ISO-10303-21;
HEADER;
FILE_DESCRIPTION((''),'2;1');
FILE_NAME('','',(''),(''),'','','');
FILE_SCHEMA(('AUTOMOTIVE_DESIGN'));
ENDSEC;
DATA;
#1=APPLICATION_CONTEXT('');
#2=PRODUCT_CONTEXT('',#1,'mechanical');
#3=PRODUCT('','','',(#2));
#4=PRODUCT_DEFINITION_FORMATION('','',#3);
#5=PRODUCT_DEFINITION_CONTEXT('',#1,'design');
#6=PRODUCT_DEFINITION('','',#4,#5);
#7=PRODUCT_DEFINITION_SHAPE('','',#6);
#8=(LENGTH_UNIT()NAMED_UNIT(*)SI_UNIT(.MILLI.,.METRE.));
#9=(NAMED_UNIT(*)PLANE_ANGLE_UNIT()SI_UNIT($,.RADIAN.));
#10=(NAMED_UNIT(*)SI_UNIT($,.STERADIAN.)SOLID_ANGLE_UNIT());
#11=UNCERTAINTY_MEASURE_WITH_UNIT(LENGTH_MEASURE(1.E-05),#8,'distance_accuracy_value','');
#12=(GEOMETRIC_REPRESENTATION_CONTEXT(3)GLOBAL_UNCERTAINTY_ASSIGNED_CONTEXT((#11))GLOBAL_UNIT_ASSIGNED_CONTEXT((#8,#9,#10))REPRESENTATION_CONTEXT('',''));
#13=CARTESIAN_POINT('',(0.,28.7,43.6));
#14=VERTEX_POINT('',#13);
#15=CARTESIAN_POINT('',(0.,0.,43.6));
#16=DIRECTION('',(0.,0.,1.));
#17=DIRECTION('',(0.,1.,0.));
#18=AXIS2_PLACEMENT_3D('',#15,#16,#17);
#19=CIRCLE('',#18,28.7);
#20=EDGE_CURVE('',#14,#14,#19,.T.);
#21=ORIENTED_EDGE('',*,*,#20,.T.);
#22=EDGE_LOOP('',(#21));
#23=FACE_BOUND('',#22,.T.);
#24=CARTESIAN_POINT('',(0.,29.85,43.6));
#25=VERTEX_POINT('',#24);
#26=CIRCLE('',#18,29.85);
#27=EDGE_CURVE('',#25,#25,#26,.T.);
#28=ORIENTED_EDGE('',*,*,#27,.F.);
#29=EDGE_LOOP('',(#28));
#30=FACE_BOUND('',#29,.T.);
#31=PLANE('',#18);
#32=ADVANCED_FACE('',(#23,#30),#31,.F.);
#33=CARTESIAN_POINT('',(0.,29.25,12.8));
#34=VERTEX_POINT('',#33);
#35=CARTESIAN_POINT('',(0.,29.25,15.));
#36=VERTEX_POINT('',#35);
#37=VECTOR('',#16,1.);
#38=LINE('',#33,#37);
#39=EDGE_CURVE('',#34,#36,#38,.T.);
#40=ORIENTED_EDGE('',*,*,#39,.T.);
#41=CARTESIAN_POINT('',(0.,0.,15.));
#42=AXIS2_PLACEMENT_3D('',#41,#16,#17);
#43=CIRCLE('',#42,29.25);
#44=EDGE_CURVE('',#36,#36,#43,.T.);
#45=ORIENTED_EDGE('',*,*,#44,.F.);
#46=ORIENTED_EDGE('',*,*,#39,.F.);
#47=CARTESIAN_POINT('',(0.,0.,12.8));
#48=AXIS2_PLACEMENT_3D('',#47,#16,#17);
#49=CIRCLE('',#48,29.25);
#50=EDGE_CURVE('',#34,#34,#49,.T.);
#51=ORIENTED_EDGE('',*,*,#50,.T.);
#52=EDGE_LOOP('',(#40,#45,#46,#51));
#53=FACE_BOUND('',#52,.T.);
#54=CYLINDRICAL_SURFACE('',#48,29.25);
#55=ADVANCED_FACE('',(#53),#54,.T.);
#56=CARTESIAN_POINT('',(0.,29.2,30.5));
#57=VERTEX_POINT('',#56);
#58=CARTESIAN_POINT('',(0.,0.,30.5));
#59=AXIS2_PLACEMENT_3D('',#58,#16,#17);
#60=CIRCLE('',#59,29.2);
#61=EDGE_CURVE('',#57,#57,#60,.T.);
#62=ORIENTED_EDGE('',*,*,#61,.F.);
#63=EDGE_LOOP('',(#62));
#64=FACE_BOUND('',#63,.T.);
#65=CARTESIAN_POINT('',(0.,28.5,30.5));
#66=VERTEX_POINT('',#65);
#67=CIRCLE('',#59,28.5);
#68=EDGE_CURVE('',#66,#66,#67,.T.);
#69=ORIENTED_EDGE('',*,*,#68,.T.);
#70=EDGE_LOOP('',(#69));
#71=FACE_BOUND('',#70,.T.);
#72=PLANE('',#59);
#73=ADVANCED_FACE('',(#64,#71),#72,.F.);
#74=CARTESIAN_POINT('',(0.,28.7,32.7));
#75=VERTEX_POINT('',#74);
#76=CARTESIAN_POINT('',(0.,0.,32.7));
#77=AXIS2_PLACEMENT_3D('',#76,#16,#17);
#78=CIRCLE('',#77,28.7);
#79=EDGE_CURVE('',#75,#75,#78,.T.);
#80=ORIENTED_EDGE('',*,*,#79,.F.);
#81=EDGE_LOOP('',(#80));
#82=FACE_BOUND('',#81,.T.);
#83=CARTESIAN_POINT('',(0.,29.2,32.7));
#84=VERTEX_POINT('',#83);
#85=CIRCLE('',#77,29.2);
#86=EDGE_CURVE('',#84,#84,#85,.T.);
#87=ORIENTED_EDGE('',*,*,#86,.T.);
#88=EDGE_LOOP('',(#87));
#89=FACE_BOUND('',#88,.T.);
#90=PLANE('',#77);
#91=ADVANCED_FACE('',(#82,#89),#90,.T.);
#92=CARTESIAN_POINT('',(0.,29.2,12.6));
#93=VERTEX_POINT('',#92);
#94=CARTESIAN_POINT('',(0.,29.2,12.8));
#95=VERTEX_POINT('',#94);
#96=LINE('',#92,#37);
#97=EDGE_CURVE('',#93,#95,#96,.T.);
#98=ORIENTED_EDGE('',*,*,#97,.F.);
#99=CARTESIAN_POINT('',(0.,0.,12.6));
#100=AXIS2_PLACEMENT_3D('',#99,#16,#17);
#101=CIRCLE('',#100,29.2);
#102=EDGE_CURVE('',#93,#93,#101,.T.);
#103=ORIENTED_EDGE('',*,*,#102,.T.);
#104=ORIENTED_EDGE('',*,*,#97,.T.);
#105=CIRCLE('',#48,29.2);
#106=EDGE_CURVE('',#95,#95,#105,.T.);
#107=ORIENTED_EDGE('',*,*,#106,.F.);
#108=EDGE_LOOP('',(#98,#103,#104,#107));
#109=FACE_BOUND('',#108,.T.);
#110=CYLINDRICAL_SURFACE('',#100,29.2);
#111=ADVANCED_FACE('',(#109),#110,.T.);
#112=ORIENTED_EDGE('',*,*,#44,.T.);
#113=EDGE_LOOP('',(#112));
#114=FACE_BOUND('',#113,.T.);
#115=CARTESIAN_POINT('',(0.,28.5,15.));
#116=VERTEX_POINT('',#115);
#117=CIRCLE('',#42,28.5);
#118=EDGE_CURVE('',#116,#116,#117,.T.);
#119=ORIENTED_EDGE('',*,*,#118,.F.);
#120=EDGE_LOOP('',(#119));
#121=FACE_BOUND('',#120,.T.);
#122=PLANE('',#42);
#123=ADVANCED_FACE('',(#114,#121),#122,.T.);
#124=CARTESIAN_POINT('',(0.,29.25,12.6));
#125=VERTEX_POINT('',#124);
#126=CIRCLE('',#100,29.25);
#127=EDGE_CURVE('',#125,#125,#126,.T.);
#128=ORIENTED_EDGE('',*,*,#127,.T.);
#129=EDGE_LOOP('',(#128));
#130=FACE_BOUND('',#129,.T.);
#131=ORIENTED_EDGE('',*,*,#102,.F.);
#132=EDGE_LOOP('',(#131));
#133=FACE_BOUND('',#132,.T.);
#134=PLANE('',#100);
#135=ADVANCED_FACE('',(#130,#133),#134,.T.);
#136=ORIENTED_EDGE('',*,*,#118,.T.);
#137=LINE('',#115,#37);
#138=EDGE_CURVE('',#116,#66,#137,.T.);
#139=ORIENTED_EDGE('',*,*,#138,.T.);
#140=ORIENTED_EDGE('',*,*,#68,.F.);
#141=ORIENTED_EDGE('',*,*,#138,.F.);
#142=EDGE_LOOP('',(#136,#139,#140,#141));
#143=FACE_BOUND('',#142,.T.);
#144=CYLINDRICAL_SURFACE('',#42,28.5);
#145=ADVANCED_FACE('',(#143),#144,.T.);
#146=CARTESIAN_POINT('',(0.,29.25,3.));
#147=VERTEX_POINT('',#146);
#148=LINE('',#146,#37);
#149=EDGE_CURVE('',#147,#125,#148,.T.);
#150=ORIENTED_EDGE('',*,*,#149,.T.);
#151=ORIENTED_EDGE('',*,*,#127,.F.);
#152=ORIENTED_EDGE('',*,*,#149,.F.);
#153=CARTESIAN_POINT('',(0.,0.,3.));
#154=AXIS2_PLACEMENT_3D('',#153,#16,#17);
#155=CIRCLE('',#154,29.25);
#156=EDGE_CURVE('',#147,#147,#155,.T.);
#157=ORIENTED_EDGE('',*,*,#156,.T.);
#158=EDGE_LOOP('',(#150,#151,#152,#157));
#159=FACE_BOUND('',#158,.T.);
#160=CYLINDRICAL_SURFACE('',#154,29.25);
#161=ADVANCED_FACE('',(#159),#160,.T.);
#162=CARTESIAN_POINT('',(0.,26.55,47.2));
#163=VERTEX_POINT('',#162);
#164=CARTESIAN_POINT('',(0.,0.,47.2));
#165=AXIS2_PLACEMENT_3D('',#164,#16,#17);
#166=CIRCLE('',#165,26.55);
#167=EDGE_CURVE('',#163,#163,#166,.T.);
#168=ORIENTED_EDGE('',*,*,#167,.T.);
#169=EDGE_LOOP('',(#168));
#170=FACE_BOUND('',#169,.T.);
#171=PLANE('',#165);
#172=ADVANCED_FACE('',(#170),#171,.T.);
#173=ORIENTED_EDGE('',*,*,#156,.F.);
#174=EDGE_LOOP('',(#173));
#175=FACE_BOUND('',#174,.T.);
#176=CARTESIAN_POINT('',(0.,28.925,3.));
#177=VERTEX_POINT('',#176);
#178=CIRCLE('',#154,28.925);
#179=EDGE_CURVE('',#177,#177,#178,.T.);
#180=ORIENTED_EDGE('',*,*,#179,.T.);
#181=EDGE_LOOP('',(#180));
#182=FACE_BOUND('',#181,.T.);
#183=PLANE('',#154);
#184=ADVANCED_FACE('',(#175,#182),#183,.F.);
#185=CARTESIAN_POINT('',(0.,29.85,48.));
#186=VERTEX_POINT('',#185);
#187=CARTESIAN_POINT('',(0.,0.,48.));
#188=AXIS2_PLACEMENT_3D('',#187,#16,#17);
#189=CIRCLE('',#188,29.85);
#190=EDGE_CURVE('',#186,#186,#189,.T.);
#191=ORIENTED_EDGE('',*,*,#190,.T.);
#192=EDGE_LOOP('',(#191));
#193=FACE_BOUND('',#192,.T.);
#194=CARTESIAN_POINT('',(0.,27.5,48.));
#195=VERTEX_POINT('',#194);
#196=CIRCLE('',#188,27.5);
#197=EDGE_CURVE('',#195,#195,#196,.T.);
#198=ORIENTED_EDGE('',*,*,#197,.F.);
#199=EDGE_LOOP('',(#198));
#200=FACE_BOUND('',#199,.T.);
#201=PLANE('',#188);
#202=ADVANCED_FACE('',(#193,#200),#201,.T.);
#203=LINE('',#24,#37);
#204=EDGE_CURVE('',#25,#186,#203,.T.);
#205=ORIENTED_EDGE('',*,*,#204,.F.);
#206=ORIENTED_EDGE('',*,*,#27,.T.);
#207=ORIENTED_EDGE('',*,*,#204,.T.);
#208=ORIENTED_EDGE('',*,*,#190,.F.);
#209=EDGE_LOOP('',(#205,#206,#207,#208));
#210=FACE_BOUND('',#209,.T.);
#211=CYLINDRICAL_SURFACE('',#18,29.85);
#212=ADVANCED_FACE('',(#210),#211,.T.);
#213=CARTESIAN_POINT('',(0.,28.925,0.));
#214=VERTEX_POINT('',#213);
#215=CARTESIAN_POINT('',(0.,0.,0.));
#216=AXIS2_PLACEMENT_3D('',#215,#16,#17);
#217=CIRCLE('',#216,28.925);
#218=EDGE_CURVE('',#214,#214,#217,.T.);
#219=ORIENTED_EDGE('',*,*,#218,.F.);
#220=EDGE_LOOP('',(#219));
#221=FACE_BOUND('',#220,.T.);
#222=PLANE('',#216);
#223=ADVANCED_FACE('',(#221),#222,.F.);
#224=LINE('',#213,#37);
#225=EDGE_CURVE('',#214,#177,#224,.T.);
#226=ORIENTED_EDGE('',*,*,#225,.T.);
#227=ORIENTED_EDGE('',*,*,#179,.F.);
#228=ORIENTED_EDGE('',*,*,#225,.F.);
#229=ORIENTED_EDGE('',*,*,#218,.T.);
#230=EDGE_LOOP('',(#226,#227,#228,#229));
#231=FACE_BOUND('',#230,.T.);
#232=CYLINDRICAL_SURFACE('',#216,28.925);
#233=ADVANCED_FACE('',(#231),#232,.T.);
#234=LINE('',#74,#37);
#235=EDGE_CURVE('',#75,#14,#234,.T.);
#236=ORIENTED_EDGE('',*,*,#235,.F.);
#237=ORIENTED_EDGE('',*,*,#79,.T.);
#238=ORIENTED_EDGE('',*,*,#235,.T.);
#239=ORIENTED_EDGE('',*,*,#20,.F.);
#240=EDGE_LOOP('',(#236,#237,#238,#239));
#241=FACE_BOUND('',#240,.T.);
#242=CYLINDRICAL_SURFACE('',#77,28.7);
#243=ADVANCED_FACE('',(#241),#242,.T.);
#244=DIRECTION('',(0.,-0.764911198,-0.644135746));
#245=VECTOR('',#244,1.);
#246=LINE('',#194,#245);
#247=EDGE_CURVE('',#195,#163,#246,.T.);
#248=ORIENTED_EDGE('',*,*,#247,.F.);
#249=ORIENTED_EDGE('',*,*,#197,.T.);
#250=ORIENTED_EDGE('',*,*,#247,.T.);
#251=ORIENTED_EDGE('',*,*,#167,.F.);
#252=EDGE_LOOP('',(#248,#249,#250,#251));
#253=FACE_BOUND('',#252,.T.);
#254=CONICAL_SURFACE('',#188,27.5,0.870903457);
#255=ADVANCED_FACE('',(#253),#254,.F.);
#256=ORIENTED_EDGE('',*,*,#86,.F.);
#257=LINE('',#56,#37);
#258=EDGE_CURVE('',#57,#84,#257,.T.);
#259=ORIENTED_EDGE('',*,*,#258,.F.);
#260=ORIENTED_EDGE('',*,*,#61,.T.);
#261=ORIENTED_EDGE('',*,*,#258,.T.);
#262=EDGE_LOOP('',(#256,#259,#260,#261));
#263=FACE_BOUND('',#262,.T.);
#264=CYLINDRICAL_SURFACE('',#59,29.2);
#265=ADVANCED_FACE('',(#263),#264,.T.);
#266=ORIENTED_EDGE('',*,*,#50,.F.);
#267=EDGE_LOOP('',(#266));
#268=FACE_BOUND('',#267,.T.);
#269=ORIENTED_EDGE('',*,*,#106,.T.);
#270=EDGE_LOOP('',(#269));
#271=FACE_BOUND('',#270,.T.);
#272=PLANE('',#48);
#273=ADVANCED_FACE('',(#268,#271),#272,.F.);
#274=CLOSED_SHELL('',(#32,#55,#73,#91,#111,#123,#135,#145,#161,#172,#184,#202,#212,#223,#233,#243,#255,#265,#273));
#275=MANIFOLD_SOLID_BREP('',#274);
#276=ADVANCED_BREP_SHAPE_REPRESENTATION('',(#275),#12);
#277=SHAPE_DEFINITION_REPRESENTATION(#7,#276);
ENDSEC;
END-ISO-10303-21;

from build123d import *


with BuildPart() as f1:
    # F0 (on Right) → F1 (revolve)
    with BuildSketch(Plane.YZ):
        Polygon((0, 0), (28.925, 0), (28.925, 3), (29.25, 3), (29.25, 12.6), (29.2, 12.6), (29.2, 12.8), (29.25, 12.8), (29.25, 15), (28.5, 15), (28.5, 30.5), (29.2, 30.5), (29.2, 32.7), (28.7, 32.7), (28.7, 43.6), (29.85, 43.6), (29.85, 48), (27.5, 48), (26.55, 47.2), (0, 47.2), align=None)
    revolve(axis=Axis((0, 0, 53.454532), (0, 0, 1)))


solid = f1.part
